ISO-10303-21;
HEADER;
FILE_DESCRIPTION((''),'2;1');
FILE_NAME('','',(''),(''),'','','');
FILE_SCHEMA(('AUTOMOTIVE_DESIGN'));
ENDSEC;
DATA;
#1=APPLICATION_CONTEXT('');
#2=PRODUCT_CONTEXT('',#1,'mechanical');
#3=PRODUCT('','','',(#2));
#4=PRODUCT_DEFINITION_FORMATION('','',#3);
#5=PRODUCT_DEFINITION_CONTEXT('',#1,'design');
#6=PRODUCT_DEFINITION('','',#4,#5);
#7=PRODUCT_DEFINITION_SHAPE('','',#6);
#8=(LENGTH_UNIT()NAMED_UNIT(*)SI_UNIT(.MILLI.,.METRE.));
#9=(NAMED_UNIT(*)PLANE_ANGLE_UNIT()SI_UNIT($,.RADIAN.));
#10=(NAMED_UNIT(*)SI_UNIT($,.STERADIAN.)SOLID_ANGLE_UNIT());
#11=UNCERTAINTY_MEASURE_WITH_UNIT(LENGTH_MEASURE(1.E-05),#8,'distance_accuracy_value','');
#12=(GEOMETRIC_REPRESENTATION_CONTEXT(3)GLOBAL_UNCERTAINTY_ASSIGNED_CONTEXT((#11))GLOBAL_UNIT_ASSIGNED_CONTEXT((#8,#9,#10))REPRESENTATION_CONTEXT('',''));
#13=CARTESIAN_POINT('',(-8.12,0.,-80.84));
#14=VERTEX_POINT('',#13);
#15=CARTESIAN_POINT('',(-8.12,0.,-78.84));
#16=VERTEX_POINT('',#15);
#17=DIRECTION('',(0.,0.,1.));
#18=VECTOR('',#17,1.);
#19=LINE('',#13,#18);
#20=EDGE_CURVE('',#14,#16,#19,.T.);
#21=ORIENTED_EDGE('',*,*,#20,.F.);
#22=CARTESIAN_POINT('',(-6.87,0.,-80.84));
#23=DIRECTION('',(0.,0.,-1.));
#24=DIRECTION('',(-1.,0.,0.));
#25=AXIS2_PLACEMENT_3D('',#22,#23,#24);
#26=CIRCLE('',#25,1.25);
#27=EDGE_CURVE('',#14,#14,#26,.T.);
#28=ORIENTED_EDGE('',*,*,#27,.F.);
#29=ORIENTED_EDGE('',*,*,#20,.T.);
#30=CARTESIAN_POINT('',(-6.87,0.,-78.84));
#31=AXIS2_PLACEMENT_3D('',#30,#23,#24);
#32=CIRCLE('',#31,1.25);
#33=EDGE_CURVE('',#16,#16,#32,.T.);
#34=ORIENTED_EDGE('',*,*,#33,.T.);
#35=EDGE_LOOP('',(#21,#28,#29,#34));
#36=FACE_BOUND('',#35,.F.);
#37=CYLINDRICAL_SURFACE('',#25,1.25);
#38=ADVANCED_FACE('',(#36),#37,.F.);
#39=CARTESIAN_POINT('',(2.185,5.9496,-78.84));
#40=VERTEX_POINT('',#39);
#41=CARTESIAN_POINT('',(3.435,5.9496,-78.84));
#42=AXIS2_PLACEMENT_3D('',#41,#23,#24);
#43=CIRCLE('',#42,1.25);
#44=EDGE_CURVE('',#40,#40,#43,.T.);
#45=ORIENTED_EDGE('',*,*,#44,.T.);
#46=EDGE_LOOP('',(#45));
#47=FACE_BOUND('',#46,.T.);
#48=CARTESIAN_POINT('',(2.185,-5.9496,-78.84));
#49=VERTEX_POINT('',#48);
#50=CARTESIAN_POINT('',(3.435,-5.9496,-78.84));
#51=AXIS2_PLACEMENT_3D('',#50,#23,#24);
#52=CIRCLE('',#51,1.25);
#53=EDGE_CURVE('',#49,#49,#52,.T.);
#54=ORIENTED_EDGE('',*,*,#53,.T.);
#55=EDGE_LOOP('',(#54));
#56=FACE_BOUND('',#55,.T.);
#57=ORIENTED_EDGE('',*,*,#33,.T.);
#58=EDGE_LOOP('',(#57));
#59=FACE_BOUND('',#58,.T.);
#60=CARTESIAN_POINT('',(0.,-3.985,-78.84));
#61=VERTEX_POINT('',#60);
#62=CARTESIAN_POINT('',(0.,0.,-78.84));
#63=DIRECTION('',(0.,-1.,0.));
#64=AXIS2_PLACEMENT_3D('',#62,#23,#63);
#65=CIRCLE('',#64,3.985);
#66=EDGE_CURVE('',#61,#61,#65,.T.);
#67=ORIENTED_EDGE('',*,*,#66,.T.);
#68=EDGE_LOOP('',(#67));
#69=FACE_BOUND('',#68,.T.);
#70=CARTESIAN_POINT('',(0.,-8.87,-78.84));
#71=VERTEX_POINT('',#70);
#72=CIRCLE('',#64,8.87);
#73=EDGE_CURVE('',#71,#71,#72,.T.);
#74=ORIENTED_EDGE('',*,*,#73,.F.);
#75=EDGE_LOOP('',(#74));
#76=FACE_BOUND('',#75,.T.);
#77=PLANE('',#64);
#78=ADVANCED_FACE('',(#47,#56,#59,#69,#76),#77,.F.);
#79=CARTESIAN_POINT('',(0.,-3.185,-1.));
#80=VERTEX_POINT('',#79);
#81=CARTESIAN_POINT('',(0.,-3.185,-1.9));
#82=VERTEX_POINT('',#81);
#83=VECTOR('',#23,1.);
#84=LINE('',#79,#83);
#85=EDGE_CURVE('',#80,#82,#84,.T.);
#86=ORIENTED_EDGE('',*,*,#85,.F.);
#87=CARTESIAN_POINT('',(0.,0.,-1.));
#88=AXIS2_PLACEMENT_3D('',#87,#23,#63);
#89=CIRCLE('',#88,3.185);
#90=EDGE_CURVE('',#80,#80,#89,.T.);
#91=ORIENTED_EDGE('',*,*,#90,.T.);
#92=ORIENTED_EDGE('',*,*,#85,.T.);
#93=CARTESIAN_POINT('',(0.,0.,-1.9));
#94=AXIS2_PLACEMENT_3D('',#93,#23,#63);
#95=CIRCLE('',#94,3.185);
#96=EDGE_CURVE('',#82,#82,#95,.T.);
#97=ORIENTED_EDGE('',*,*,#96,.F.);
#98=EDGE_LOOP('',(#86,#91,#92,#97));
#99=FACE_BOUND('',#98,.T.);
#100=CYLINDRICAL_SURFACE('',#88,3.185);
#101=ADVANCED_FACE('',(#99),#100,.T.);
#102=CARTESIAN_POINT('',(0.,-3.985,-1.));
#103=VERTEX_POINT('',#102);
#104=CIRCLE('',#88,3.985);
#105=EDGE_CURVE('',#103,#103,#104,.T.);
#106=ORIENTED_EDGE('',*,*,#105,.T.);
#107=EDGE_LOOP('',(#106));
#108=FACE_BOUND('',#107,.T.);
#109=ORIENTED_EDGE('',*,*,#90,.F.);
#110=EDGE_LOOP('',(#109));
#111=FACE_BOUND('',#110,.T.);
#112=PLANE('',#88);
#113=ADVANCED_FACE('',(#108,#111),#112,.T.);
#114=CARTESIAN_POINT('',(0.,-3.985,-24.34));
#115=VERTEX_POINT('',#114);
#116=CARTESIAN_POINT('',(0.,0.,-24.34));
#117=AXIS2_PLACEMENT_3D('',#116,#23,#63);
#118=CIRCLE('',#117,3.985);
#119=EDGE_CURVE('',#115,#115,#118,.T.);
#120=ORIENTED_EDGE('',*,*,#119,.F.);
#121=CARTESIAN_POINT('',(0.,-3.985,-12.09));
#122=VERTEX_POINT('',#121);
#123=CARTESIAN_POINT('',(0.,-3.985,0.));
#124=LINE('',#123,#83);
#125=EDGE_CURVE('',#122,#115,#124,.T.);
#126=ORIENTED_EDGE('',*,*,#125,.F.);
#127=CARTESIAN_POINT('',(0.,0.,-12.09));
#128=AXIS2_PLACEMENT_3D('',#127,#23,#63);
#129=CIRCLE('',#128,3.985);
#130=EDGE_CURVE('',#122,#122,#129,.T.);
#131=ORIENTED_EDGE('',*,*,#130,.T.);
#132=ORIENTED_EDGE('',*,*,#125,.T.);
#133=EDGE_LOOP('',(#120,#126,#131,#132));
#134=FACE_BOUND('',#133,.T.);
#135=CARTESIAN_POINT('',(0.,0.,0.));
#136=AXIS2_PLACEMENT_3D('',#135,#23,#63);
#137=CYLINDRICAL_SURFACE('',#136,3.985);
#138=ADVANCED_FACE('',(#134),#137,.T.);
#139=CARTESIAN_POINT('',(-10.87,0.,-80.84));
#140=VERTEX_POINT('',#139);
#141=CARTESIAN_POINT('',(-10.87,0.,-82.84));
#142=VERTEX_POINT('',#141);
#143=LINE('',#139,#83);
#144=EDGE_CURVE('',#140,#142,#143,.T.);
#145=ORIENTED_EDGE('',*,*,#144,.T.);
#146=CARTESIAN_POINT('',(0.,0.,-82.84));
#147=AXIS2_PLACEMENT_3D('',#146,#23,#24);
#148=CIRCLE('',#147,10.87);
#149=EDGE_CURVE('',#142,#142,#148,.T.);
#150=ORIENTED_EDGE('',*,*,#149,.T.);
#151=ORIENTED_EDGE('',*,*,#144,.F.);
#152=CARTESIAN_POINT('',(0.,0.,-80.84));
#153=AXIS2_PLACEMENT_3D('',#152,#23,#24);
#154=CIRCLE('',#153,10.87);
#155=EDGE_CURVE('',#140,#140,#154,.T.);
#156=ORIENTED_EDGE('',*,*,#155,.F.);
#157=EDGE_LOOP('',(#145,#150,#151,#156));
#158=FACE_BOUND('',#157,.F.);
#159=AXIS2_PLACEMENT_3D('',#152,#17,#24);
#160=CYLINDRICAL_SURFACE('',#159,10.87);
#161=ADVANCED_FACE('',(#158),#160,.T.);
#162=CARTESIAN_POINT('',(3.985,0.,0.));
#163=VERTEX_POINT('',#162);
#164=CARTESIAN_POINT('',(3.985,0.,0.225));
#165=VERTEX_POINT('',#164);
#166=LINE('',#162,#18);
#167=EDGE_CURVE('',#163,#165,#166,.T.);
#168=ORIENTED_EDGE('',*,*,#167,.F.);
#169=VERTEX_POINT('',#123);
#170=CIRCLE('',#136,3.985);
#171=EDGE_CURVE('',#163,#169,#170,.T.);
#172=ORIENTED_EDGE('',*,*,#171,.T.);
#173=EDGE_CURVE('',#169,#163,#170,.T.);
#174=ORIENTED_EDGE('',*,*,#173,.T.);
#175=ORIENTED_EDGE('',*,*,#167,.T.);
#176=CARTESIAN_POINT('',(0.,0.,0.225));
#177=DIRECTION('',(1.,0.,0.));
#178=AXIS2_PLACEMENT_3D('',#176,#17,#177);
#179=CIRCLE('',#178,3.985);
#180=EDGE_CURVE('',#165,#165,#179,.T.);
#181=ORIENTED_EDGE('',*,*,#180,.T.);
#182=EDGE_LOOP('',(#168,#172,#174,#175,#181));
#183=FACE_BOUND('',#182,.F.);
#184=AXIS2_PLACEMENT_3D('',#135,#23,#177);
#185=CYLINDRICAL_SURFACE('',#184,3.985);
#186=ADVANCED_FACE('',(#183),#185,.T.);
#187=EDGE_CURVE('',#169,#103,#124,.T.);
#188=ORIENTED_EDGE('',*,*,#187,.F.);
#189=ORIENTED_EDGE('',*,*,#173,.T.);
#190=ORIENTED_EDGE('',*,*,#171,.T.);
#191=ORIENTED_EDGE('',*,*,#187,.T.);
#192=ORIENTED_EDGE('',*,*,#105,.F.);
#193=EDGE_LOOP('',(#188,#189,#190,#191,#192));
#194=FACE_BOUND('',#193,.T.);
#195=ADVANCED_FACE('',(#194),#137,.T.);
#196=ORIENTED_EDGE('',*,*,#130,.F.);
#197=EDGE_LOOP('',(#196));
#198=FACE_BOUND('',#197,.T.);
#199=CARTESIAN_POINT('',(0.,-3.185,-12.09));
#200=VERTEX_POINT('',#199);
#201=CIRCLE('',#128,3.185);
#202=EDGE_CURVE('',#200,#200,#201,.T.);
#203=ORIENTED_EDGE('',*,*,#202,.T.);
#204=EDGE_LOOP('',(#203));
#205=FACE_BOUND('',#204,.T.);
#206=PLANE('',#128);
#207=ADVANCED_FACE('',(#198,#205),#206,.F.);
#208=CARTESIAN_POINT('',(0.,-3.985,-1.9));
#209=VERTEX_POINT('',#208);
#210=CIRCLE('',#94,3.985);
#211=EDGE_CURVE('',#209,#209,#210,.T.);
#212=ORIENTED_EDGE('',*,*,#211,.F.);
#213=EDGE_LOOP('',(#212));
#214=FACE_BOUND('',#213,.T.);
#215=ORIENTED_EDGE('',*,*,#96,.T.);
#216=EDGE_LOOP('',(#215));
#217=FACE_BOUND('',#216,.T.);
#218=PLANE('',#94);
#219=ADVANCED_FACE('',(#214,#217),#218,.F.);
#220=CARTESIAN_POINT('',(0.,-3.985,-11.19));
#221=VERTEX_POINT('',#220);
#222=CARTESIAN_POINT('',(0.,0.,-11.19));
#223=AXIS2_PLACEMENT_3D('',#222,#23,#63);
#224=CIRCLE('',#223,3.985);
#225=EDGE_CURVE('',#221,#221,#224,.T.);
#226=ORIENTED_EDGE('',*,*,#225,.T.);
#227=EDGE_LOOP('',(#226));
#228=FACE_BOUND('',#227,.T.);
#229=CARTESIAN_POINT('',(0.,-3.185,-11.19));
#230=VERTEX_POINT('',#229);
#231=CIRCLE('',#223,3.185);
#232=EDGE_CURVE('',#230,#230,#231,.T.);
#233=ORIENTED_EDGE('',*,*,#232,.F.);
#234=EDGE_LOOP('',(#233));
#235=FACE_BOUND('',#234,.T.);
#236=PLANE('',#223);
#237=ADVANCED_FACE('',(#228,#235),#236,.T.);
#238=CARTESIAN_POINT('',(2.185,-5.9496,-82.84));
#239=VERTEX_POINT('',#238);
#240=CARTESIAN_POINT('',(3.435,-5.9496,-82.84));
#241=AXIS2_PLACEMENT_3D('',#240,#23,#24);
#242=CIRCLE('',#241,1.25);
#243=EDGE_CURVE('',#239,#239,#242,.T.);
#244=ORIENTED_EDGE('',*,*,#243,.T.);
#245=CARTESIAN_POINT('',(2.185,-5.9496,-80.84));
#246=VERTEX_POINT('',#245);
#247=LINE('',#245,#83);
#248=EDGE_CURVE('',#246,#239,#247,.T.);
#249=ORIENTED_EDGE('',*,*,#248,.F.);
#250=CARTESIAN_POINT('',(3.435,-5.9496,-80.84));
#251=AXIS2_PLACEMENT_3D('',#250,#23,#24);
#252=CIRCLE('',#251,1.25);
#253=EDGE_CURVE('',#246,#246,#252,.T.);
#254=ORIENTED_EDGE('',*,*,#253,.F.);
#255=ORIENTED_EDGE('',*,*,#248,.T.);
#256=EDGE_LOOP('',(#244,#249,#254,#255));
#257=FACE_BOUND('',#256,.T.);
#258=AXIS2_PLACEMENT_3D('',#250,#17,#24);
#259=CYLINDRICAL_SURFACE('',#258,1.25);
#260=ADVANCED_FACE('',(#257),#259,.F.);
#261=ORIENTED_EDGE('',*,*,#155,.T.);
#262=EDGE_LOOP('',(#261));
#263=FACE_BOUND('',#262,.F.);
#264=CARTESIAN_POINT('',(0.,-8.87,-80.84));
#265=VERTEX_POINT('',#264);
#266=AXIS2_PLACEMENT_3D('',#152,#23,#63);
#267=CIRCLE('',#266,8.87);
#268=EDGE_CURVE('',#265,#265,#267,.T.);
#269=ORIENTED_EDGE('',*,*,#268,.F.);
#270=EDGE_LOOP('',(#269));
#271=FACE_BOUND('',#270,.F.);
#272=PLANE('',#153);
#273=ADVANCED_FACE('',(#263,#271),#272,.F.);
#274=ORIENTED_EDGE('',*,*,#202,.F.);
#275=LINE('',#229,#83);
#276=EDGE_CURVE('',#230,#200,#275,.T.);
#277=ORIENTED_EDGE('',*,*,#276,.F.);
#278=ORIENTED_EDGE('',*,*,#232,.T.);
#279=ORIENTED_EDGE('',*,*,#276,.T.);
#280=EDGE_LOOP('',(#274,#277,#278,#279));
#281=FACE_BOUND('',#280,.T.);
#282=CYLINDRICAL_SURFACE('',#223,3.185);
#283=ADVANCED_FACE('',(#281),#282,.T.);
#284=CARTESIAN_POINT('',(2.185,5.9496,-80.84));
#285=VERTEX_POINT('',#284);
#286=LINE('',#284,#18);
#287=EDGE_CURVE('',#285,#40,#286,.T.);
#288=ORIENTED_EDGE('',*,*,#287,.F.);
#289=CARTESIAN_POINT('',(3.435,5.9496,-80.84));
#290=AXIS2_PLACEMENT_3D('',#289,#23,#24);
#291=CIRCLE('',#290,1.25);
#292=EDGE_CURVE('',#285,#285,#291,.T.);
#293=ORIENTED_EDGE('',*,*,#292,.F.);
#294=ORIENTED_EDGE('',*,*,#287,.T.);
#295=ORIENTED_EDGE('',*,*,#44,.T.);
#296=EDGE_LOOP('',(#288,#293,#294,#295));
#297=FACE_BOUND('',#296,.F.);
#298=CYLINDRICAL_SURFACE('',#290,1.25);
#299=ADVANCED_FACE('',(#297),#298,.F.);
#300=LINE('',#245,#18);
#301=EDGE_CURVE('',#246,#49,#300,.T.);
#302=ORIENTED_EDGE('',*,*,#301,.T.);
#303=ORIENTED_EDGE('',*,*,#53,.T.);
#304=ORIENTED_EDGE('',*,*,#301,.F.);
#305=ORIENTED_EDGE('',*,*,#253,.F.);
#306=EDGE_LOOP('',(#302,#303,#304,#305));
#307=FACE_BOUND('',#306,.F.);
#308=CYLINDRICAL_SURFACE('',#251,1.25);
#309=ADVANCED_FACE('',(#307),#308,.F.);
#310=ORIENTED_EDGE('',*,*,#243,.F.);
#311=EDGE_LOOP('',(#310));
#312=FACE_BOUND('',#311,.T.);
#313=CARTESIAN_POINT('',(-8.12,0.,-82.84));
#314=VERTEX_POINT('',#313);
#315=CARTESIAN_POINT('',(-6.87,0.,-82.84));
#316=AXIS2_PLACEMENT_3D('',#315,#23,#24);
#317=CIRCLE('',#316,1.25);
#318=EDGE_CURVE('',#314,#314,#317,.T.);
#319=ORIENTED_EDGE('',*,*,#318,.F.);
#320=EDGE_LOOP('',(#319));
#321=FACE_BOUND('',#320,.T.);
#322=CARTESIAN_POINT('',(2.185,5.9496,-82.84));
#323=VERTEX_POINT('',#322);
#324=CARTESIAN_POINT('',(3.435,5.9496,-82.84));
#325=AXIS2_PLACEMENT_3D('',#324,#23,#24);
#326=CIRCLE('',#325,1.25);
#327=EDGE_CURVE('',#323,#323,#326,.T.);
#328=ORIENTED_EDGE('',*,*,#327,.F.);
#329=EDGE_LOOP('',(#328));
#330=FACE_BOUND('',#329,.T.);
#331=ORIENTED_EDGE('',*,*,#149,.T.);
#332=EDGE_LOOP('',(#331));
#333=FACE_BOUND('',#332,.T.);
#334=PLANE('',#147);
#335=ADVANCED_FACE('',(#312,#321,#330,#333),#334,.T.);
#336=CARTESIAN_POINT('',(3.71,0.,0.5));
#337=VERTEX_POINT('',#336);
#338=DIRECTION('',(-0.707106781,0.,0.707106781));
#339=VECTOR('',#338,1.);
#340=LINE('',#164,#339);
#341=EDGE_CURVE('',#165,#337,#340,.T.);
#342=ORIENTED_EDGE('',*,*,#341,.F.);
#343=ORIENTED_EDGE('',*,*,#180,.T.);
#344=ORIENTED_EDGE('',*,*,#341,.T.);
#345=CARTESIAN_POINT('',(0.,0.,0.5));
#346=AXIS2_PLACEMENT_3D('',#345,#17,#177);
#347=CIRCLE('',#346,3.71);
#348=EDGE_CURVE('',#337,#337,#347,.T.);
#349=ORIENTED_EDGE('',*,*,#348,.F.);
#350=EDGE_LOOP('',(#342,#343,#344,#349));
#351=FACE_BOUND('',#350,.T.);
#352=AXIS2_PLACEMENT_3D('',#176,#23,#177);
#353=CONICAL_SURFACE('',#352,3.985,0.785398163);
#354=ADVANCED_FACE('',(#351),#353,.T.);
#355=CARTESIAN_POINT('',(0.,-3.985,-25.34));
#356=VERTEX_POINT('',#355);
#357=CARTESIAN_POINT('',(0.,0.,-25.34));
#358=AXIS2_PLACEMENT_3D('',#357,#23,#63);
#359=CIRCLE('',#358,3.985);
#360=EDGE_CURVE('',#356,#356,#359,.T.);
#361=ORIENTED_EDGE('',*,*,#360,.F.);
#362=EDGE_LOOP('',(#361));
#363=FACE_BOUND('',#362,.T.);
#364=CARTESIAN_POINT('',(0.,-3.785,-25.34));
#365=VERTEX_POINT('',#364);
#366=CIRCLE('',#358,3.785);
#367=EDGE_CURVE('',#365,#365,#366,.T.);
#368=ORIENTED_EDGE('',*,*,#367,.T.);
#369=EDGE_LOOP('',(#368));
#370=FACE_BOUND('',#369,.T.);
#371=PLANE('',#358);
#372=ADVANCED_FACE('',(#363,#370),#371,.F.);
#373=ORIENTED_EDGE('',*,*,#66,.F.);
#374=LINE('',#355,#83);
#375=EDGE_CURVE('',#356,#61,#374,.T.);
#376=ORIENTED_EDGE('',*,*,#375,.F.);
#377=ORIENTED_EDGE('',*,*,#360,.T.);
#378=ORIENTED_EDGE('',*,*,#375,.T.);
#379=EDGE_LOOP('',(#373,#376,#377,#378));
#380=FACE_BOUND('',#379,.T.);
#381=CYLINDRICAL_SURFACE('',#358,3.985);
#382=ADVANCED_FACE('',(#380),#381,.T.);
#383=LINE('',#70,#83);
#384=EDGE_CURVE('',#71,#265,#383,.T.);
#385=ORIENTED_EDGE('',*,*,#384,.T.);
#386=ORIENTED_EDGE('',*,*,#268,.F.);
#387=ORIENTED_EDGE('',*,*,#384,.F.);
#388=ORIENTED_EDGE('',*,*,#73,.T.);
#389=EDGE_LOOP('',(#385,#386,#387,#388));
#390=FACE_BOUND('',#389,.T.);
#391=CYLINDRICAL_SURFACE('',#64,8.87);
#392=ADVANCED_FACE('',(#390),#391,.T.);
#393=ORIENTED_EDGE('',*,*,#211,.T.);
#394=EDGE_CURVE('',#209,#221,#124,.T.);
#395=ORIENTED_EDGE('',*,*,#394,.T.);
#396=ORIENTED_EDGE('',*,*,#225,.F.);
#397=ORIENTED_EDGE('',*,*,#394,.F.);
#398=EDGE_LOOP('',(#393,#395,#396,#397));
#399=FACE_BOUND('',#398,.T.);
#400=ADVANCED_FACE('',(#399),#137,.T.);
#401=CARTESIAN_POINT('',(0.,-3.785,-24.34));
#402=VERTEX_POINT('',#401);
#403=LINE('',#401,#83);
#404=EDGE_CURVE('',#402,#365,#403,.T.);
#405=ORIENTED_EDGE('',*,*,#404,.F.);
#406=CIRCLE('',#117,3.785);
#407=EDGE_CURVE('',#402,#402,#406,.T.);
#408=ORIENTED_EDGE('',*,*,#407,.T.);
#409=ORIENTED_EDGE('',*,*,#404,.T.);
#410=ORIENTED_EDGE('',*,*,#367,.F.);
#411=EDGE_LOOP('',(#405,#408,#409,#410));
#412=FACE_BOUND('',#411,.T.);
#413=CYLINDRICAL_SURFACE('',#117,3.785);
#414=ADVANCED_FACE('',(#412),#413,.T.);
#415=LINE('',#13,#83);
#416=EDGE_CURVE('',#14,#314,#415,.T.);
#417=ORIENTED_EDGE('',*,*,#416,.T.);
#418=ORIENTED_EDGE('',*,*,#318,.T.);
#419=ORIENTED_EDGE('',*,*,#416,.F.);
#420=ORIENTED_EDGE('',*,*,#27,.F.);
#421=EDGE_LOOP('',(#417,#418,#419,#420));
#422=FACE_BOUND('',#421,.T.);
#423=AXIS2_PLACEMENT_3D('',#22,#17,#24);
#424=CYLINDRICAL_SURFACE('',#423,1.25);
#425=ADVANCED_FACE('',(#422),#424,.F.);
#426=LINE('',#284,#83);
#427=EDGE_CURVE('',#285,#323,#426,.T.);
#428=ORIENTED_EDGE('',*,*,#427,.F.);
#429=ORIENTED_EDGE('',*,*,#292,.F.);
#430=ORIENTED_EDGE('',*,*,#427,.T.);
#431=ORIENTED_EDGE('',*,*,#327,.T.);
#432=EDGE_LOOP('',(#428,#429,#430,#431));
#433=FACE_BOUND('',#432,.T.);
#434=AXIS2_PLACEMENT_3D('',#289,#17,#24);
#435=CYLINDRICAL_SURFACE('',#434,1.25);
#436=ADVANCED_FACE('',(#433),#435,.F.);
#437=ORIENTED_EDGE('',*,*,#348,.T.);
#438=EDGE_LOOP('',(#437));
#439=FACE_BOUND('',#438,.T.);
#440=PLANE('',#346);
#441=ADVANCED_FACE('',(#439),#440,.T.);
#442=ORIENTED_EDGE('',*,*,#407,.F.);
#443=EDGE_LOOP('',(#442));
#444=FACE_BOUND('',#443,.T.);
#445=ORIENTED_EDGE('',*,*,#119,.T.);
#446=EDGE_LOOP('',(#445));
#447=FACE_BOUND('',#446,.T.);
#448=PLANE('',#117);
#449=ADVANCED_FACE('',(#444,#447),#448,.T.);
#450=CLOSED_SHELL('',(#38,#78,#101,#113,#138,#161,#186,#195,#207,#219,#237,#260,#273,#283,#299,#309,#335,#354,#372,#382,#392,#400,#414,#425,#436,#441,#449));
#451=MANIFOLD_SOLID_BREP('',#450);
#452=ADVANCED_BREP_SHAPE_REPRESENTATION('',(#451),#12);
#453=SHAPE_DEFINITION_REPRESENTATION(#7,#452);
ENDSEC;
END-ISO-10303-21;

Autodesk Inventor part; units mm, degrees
ref_plane "YZ Plane" through (0, 0, 0) normal (1, 0, 0) x (0, 1, 0)
ref_plane "XZ Plane" through (0, 0, 0) normal (0, 1, 0) x (-1, 0, 0)
ref_plane "XY Plane" through (0, 0, 0) normal (0, 0, 1) x (1, 0, 0)
sketch "Sketch2" plane through (0, 0, 0) normal (1, 0, 0) x (0, 1, 0)
  line L0 (0, 0) -> (-3.985, 0)
  line L1 (0, -80.84) -> (0.015, -80.84)
  line L2 (-8.87, -80.84) -> (0, -80.84)
  line L3 (-3.985, -78.84) -> (-8.87, -78.84)
  line L4 (-8.87, -78.84) -> (-8.87, -80.84)
  line L5 (-3.985, -24.34) -> (-3.785, -24.34)
  line L6 (-3.785, -24.34) -> (-3.785, -25.34)
  line L7 (-3.785, -25.34) -> (-3.985, -25.34)
  line L8 (-3.985, -25.34) -> (-3.985, -24.34)
  line L9 (0, 0) -> (0, -80.84)
  line L10 (-6.435, 0) -> (-6.435, -12.64) construction
  line L11 (-6.435, -12.64) -> (0, -12.64) construction
  line L12 (-3.985, 0) -> (-3.985, -24.34)
  line L13 (-3.985, -25.34) -> (-3.985, -78.84)
  line L14 (0, 0) -> (0, -80.84)
  line L15 (-3.985, -1) -> (-3.185, -1)
  line L16 (-3.185, -1) -> (-3.185, -1.9)
  line L17 (-3.185, -1.9) -> (-3.985, -1.9)
  line L18 (-3.985, -1.9) -> (-3.985, -1)
  line L19 (2.8591, -2.1) -> (-4.9211, -2.1) construction
  line L20 (-4.9211, -2.1) -> (-4.9211, -10.99) construction
  line L21 (-4.9211, -10.99) -> (2.8591, -10.99) construction
  line L22 (2.8591, -10.99) -> (2.8591, -2.1) construction
  line L23 (-3.985, -11.19) -> (-3.185, -11.19)
  line L24 (-3.185, -11.19) -> (-3.185, -12.09)
  line L25 (-3.185, -12.09) -> (-3.985, -12.09)
  line L26 (-3.985, -12.09) -> (-3.985, -11.19)
  point P0 (-8.87, -79.84)
  point P1 (-4.9211, -6.545)
  point P2 (-3.585, -1)
  point P3 (-3.985, -12.09)
  dimension "d3" = 1
  dimension "d5" = 0.2
  dimension "d18" = 55.5
  dimension "d21" = 2
  dimension "d22" = 17.74
  dimension "d24" = 12.64
  dimension "d25" = 6.435
  dimension "d26" = 12.7
  dimension "d35" = 0.9
  dimension "d36" = 0.8
  dimension "d38" = 8.89
  dimension "d39" = 0.2
  dimension "d40" = 1
  dimension "d41" = 3.985
  dimension "d45" = 0.2
revolve "Revolution1" add sketch "Sketch2" angle 360 about axis through (0, 0, 0) along (0, 0, -1) contours L9 L2 L4 L3 L13 L7 L6 L5 L12 L25 L24 L23 L17 L16 L15 L0
sketch "Sketch4" plane through (0, 0, -80.84) normal (0, 0, -1) x (-1, 0, 0)
  circle A0 centre (0, 0) radius 6.87 construction
  circle A1 centre (6.87, 0) radius 1.25
  circle A2 centre (0, 0) radius 8.87 projected
  circle A3 centre (-3.435, 5.9496) radius 1.25
  circle A4 centre (-3.435, -5.9496) radius 1.25
  dimension "d28" = 2.5
  dimension "d46" = 2
  dimension "d49" = 360
extrude "Extrusion2" cut sketch "Sketch4" against normal through all contours A1 | A3 | A4
sketch "Sketch5" plane through (0, 0, -80.84) normal (0, 0, -1) x (-1, 0, 0)
  circle A0 centre (6.87, 0) radius 1.25 projected
  circle A1 centre (-3.435, -5.9496) radius 1.25 projected
  circle A2 centre (-3.435, 5.9496) radius 1.25 projected
  circle A3 centre (0, 0) radius 8.87 projected
  circle A4 centre (0, 0) radius 10.87
  dimension "d51" = 2
extrude "Extrusion3" add sketch "Sketch5" along normal blind 2 contours A3 | A4
sketch "Sketch6" plane through (0, 0, 0) normal (0, 0, 1) x (1, 0, 0)
  circle A0 centre (0, 0) radius 3.985 projected
extrude "Extrusion4" add sketch "Sketch6" along normal blind 0.5
chamfer "Chamfer2" distance 0.275 angle 45 1 edges at (-3.985, 0, 0.5)
equation "\"d45\" = d39"
properties part number "FlipperH5055RoundShaft"
